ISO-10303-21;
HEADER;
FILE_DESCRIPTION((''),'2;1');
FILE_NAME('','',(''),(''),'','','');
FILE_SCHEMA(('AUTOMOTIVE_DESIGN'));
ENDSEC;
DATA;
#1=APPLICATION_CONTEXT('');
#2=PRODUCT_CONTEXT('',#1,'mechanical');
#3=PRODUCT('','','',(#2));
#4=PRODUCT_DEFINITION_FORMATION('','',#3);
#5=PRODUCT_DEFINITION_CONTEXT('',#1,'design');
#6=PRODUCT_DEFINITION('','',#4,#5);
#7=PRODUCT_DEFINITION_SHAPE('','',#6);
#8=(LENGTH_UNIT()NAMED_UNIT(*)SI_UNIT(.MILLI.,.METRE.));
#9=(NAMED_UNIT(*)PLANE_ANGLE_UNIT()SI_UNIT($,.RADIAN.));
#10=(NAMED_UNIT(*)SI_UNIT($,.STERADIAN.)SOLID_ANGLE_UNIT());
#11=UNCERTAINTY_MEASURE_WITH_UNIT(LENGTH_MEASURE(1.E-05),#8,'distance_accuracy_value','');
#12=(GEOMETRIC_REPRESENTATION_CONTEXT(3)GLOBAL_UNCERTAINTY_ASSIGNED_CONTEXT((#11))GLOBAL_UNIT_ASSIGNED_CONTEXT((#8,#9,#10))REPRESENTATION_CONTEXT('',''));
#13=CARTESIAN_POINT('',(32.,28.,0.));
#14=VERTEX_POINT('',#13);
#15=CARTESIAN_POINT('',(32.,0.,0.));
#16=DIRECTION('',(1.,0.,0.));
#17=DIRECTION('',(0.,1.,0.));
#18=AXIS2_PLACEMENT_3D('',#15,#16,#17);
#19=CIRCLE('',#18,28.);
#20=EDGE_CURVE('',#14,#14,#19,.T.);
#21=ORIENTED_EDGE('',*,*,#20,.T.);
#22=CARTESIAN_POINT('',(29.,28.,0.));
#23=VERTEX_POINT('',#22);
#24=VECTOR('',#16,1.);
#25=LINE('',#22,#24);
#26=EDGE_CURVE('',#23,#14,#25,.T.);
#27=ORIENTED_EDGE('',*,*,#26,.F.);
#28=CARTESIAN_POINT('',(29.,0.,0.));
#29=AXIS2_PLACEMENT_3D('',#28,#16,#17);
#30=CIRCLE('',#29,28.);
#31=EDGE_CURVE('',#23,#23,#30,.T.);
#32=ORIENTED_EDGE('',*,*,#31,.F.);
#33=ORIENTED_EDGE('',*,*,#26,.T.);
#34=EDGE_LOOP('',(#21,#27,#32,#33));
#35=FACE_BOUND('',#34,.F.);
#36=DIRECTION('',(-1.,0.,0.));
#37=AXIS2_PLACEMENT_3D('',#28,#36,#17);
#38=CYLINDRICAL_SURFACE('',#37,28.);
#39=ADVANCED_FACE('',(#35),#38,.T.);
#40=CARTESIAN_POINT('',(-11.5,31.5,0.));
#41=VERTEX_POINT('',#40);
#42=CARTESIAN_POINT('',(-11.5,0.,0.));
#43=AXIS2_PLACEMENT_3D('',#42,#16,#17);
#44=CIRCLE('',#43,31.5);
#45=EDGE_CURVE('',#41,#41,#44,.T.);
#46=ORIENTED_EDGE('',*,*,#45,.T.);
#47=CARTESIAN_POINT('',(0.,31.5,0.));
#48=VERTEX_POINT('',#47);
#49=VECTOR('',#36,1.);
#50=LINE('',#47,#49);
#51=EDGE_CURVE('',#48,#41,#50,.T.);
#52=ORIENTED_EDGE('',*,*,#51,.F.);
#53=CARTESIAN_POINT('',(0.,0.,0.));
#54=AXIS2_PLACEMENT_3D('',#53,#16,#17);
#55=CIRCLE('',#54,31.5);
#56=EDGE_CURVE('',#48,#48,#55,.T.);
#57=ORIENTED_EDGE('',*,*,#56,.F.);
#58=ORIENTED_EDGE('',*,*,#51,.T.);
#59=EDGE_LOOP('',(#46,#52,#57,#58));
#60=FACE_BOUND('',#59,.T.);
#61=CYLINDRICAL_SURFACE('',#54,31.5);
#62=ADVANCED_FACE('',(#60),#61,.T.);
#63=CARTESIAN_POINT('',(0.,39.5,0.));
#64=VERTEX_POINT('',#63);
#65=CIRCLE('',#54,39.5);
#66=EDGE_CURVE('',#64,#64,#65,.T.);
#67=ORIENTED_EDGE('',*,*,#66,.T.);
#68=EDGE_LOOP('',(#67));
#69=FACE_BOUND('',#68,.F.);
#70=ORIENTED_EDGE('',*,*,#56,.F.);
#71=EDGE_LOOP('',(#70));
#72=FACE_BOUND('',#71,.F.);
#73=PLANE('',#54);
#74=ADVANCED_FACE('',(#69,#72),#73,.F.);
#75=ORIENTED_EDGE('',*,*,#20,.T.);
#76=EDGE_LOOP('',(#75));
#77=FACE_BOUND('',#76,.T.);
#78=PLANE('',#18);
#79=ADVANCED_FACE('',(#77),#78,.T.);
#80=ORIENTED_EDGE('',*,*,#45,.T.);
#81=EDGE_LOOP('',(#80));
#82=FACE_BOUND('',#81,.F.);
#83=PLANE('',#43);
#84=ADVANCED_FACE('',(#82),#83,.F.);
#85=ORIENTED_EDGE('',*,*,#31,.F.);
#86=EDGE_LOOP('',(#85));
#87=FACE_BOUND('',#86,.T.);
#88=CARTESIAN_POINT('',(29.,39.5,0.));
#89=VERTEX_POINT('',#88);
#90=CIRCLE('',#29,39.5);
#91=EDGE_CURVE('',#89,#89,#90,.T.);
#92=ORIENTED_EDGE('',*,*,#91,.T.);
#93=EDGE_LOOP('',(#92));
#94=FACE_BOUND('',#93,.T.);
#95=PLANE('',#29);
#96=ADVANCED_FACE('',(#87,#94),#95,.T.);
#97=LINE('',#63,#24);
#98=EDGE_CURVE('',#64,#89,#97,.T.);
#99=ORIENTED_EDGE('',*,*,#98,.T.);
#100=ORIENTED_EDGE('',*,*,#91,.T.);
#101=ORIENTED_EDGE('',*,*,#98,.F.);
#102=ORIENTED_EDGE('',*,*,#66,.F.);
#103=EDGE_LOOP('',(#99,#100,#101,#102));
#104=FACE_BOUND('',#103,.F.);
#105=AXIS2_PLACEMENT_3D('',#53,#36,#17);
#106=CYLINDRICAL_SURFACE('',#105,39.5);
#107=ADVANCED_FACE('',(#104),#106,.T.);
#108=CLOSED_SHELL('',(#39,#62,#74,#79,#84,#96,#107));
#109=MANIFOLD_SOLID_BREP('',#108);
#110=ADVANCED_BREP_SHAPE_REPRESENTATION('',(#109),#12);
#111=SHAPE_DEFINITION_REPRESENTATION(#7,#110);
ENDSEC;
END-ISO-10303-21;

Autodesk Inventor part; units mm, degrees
ref_plane "YZ Plane" through (0, 0, 0) normal (1, 0, 0) x (0, 1, 0)
ref_plane "XZ Plane" through (0, 0, 0) normal (0, 1, 0) x (-1, 0, 0)
ref_plane "XY Plane" through (0, 0, 0) normal (0, 0, 1) x (1, 0, 0)
sketch "Sketch1" plane through (0, 0, 0) normal (1, 0, 0) x (0, 1, 0)
  circle A0 centre (0, 0) radius 31.5
  circle A1 centre (0, 0) radius 39.5
  circle A2 centre (0, 0) radius 28
  dimension "d0" = 79
  dimension "d1" = 63
  dimension "d12" = 56
extrude "Extrusion1" add sketch "Sketch1" against normal blind 11.5 contours A0 | A2
extrude "Extrusion2" add sketch "Sketch1" along normal blind 29 contours A0 | A1 | A2
extrude "Extrusion3" add sketch "Sketch1" along normal blind 3 from surface at 29 contours A2
properties part number "motor"
